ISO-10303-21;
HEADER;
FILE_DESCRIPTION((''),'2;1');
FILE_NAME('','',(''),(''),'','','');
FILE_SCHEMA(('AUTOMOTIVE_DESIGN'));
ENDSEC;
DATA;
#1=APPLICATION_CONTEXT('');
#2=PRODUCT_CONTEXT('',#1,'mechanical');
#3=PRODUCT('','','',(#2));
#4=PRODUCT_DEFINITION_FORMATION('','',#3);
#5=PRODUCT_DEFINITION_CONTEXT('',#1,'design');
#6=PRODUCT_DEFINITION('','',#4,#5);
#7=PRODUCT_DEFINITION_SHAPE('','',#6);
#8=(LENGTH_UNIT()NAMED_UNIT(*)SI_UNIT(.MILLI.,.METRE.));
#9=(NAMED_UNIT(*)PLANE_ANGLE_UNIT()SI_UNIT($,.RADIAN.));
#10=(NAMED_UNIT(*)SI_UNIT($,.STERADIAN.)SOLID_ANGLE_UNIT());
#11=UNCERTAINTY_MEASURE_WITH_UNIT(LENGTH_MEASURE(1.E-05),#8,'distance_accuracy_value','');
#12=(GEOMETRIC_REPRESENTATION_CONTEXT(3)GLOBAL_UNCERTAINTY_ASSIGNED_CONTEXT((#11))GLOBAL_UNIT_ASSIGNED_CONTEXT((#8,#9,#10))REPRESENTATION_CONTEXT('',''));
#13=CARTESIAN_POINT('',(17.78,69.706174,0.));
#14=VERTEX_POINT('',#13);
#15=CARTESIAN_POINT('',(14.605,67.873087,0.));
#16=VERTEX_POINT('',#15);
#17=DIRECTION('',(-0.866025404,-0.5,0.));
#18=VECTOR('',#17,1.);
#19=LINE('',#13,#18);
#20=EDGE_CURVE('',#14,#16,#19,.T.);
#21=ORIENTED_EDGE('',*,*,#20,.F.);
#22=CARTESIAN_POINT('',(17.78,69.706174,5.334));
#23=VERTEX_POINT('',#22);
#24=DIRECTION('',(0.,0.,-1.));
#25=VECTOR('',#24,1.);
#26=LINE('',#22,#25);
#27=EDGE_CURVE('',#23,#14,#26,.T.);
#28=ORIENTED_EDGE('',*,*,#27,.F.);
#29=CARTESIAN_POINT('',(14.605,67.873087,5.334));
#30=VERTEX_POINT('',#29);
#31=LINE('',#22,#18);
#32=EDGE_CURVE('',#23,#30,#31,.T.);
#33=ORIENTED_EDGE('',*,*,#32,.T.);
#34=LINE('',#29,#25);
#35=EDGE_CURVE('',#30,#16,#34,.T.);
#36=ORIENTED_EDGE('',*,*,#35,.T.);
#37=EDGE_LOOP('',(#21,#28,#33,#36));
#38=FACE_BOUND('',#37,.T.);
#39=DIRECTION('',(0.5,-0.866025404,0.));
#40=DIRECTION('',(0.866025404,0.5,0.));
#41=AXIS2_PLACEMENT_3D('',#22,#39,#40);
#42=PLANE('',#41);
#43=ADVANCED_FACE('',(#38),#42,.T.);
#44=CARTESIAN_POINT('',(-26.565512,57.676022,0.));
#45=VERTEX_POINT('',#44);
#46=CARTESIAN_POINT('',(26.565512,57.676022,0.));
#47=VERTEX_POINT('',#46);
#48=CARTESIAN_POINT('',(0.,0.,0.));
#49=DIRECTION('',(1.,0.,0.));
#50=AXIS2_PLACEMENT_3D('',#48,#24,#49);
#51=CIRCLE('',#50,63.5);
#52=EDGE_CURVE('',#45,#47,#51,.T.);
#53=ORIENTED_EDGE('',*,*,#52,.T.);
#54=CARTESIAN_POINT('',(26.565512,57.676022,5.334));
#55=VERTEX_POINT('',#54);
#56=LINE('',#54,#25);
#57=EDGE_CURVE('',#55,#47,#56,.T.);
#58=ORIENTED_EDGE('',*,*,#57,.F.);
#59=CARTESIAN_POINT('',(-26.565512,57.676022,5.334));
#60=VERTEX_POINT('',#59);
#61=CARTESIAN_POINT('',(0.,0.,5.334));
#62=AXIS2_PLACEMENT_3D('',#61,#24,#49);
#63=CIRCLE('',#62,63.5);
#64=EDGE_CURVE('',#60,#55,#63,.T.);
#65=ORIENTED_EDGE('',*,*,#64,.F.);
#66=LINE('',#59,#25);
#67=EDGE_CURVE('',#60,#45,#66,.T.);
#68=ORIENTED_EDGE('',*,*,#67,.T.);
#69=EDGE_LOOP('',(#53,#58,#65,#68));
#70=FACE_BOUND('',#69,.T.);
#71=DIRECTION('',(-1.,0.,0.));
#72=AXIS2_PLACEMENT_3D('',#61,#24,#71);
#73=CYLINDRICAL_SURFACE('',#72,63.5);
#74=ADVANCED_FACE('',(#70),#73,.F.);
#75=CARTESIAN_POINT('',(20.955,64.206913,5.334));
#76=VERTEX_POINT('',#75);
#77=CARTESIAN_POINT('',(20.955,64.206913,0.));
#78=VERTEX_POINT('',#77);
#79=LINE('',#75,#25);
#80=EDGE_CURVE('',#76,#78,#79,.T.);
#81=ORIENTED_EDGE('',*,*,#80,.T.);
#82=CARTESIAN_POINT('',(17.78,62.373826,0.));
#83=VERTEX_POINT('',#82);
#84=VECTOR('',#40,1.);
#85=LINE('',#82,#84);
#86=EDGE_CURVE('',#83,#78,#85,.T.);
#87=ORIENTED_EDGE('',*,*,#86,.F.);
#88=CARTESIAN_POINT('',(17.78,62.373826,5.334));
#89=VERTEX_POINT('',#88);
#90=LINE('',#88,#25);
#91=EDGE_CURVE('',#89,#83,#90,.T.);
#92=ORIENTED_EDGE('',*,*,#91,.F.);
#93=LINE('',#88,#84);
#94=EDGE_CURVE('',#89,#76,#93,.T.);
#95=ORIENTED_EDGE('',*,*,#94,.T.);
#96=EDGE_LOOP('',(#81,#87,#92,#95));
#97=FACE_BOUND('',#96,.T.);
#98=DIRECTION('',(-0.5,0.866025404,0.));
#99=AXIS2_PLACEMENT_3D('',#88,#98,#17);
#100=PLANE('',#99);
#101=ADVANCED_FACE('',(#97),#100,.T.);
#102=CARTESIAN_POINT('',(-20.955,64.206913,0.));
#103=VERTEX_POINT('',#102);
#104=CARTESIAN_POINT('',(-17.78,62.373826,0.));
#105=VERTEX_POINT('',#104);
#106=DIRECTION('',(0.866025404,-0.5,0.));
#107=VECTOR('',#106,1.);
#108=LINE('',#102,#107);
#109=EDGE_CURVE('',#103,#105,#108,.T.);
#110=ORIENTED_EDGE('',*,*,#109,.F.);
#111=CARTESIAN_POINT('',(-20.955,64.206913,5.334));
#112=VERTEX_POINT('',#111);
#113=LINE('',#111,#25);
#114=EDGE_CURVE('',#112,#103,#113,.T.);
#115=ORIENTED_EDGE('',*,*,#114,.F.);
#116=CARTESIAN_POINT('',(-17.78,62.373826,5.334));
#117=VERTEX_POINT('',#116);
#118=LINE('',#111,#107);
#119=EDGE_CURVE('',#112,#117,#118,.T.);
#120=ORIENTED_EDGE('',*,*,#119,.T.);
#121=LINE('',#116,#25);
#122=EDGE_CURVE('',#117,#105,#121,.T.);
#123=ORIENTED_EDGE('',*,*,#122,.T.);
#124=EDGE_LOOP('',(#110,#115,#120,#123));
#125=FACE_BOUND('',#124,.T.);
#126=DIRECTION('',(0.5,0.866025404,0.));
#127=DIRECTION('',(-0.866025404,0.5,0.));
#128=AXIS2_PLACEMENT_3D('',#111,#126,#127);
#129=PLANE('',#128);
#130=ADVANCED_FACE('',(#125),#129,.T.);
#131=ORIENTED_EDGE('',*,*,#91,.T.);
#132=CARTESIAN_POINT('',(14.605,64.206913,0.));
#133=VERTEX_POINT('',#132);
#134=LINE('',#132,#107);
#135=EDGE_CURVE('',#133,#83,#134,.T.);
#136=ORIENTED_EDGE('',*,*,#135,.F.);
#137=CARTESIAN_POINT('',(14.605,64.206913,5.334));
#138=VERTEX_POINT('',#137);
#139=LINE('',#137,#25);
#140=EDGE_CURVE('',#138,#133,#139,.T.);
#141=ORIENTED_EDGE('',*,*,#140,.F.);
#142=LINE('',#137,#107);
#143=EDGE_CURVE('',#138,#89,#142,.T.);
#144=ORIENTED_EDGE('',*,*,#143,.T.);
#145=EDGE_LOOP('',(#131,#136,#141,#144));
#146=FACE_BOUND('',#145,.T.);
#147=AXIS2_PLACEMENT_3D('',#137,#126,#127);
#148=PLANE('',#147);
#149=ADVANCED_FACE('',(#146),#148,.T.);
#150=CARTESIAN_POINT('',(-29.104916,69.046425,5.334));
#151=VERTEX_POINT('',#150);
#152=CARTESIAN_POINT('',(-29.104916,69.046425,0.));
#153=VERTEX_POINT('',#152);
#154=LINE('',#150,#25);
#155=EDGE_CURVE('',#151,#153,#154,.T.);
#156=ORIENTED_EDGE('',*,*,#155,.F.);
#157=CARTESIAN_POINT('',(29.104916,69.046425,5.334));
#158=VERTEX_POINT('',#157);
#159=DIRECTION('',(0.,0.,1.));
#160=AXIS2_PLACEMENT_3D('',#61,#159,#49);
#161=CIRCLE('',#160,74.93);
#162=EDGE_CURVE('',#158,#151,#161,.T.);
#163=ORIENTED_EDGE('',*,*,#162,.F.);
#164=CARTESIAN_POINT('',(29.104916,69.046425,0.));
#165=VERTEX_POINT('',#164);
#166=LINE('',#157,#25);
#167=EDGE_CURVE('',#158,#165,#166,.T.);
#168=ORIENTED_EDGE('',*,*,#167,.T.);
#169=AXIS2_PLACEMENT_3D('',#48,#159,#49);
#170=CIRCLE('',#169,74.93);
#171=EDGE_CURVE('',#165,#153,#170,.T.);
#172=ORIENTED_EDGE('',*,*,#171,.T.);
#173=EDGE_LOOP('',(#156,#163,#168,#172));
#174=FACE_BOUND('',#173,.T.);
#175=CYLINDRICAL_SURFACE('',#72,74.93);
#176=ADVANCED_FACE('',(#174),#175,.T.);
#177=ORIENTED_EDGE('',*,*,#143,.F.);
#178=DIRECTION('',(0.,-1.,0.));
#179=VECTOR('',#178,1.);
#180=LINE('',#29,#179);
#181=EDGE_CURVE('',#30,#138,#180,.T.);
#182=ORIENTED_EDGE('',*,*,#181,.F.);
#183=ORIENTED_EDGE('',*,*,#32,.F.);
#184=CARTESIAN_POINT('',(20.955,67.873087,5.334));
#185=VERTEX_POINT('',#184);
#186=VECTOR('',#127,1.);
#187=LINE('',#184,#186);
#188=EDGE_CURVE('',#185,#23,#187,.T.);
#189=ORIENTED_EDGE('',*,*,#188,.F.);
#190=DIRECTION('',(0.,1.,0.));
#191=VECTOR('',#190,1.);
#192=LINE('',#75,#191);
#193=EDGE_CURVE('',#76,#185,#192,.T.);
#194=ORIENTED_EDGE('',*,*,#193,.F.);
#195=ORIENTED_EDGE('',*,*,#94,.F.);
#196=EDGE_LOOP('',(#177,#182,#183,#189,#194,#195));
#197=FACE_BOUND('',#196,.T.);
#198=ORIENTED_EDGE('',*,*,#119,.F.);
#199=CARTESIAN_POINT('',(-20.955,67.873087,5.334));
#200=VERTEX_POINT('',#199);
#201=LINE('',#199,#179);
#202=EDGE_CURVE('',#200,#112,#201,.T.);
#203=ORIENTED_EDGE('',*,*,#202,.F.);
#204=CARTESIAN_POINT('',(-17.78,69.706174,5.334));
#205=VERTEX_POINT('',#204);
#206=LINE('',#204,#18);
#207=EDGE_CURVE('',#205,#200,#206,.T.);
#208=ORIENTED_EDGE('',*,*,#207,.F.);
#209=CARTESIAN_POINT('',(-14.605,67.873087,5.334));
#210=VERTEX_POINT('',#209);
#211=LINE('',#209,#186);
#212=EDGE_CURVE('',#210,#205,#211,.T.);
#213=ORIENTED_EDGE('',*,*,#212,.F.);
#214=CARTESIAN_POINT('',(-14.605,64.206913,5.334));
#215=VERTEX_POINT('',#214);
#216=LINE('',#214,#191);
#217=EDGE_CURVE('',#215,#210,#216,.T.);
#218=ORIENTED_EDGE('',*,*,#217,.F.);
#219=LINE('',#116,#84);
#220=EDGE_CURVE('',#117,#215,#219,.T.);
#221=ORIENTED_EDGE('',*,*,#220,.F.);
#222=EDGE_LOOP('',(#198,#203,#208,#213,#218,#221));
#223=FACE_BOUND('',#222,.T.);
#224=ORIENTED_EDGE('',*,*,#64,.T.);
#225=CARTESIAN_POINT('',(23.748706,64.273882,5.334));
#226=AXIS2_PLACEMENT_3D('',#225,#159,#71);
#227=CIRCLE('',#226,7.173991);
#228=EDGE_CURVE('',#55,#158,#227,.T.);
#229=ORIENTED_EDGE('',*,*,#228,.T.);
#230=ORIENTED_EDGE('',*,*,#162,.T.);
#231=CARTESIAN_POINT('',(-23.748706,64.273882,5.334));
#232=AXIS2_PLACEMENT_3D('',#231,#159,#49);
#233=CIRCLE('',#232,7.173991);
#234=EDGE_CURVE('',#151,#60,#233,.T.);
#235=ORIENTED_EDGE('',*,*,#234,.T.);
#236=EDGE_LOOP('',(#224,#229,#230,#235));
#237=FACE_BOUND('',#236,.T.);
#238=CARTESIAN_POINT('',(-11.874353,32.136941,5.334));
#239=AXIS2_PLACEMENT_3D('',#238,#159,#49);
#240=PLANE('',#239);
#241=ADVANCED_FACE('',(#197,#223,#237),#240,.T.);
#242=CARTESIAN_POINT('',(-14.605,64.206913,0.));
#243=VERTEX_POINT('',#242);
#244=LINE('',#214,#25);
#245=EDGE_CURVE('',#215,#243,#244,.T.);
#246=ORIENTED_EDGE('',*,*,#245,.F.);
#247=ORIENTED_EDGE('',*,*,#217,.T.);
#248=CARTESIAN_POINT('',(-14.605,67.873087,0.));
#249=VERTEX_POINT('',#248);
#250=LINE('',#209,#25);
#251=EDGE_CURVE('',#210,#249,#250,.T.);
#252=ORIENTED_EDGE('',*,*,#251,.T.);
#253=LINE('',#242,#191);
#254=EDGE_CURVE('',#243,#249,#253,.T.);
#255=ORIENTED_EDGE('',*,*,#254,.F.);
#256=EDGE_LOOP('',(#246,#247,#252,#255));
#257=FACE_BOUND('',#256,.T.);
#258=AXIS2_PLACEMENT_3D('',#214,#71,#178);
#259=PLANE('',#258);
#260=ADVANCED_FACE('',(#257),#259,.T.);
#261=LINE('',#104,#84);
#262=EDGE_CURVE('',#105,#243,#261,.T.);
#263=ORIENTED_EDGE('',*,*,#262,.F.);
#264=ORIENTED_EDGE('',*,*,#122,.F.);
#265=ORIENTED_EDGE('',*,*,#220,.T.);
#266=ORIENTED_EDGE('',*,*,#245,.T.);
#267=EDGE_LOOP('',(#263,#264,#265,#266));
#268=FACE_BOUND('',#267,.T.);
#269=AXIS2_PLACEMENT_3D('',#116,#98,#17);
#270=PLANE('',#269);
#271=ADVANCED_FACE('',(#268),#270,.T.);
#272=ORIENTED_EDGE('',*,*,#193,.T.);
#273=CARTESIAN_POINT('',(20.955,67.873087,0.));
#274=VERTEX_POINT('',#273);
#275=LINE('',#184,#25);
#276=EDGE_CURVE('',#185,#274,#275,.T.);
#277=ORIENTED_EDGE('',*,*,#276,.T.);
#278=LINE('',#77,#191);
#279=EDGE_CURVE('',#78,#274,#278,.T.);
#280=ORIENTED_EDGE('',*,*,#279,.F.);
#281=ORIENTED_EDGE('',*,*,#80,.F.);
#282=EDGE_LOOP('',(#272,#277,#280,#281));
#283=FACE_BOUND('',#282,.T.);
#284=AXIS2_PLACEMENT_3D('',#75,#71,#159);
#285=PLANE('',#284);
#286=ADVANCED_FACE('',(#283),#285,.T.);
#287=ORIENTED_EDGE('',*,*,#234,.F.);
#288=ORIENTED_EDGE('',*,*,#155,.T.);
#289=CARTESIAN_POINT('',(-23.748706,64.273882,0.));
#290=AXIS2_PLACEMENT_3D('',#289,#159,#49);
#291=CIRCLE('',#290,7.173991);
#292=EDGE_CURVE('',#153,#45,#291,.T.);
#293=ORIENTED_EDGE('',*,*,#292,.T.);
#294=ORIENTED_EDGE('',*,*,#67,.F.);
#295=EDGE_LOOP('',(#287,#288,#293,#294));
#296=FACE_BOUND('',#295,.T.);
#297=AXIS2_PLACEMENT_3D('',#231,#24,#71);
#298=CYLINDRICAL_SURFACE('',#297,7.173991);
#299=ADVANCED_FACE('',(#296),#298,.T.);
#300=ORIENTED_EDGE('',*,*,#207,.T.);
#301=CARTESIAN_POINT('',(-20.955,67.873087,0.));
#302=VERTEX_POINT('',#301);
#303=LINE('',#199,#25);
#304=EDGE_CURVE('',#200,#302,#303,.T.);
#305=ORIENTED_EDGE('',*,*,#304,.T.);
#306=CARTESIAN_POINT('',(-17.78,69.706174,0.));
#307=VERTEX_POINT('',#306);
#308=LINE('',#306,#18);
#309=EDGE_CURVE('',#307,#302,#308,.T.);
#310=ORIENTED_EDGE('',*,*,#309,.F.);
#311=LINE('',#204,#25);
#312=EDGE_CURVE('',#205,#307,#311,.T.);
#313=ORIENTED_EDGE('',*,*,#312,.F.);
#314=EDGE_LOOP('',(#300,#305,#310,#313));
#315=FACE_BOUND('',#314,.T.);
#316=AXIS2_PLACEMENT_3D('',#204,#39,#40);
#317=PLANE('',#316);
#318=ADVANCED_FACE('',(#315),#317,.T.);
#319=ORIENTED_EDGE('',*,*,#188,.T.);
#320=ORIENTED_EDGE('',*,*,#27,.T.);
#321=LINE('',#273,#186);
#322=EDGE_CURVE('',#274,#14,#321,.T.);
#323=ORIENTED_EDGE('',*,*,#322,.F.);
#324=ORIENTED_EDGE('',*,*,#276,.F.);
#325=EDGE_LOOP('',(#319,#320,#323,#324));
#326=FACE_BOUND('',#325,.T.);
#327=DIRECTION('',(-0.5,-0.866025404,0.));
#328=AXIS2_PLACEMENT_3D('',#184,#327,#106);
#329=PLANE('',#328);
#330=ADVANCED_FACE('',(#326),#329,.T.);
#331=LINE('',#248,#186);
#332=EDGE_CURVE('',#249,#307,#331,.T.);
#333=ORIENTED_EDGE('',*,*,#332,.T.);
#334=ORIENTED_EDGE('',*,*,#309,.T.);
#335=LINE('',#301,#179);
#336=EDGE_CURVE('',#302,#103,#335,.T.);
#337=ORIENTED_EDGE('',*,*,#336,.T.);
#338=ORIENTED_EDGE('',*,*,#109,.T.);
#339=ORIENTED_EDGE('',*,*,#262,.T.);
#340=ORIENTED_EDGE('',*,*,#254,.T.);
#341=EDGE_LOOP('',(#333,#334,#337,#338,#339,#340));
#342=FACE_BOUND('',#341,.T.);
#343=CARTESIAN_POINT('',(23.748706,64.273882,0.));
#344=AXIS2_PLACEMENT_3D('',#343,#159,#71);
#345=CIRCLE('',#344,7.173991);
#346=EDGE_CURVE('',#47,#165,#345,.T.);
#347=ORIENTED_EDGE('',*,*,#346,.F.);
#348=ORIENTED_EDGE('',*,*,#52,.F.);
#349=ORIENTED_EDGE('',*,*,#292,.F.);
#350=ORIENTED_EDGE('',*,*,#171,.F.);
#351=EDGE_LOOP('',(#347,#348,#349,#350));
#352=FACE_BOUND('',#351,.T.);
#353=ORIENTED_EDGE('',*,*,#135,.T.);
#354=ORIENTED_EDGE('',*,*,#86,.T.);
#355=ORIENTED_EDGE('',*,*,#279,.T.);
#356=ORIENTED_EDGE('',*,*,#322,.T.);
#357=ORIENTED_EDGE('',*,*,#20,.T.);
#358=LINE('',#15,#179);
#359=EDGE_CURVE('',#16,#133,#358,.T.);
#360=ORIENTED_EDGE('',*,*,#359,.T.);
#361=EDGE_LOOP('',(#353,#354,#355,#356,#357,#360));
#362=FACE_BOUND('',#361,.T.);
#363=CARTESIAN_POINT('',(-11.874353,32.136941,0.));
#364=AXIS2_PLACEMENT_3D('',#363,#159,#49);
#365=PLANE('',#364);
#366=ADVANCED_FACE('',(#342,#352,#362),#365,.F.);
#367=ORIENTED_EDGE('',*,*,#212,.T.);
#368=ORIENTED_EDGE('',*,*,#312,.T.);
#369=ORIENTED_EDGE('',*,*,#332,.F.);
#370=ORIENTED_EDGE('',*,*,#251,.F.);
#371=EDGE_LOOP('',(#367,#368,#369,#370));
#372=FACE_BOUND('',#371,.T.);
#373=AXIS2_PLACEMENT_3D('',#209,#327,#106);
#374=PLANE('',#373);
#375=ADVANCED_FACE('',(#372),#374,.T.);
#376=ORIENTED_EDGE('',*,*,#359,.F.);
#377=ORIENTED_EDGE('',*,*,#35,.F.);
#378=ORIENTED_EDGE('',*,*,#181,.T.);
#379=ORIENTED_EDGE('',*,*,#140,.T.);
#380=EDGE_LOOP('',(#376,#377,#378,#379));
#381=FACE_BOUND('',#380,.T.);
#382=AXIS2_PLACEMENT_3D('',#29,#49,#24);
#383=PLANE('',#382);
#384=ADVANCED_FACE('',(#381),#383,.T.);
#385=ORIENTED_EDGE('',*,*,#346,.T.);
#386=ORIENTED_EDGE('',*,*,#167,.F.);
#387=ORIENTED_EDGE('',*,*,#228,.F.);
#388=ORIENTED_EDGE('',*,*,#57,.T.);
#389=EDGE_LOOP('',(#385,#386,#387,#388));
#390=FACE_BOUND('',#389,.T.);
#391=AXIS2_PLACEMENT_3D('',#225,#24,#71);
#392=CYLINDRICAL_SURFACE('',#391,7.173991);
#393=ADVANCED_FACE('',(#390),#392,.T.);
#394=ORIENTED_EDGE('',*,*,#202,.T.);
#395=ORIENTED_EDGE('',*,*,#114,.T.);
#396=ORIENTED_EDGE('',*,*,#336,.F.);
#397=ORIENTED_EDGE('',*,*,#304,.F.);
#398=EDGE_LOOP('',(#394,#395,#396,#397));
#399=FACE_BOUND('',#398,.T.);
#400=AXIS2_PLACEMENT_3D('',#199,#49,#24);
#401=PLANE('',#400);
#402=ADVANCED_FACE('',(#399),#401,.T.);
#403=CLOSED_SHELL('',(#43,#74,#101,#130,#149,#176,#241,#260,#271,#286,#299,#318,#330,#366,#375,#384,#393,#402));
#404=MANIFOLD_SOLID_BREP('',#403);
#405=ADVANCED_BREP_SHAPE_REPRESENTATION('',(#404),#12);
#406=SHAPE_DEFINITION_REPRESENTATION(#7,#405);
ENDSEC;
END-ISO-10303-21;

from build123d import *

# Parameters (mm, degrees)
BOSS_EXTRUDE1_DEPTH = 5.334


with BuildPart() as part:
    # Sketch1 → Boss-Extrude1 (new body)
    with BuildSketch(Plane.XY):
        with BuildLine():
            ThreePointArc((29.104915692, 69.046424835), (0, 74.93), (-29.104915692, 69.046424835))
            ThreePointArc((-29.104915692, 69.046424835), (-30.750210185, 62.710204346), (-26.565512441, 57.676022304))
            ThreePointArc((-26.565512441, 57.676022304), (0, 63.5), (26.565512441, 57.676022304))
            ThreePointArc((26.565512441, 57.676022304), (30.750210185, 62.710204346), (29.104915692, 69.046424835))
        make_face()
        Polygon((-17.78, 62.373825791), (-14.605, 64.206912895), (-14.605, 67.873087105), (-17.78, 69.706174209), (-20.955, 67.873087105), (-20.955, 64.206912895), align=None, mode=Mode.SUBTRACT)
        Polygon((17.78, 62.373825791), (20.955, 64.206912895), (20.955, 67.873087105), (17.78, 69.706174209), (14.605, 67.873087105), (14.605, 64.206912895), align=None, mode=Mode.SUBTRACT)
    extrude(amount=BOSS_EXTRUDE1_DEPTH)


solid = part.part
